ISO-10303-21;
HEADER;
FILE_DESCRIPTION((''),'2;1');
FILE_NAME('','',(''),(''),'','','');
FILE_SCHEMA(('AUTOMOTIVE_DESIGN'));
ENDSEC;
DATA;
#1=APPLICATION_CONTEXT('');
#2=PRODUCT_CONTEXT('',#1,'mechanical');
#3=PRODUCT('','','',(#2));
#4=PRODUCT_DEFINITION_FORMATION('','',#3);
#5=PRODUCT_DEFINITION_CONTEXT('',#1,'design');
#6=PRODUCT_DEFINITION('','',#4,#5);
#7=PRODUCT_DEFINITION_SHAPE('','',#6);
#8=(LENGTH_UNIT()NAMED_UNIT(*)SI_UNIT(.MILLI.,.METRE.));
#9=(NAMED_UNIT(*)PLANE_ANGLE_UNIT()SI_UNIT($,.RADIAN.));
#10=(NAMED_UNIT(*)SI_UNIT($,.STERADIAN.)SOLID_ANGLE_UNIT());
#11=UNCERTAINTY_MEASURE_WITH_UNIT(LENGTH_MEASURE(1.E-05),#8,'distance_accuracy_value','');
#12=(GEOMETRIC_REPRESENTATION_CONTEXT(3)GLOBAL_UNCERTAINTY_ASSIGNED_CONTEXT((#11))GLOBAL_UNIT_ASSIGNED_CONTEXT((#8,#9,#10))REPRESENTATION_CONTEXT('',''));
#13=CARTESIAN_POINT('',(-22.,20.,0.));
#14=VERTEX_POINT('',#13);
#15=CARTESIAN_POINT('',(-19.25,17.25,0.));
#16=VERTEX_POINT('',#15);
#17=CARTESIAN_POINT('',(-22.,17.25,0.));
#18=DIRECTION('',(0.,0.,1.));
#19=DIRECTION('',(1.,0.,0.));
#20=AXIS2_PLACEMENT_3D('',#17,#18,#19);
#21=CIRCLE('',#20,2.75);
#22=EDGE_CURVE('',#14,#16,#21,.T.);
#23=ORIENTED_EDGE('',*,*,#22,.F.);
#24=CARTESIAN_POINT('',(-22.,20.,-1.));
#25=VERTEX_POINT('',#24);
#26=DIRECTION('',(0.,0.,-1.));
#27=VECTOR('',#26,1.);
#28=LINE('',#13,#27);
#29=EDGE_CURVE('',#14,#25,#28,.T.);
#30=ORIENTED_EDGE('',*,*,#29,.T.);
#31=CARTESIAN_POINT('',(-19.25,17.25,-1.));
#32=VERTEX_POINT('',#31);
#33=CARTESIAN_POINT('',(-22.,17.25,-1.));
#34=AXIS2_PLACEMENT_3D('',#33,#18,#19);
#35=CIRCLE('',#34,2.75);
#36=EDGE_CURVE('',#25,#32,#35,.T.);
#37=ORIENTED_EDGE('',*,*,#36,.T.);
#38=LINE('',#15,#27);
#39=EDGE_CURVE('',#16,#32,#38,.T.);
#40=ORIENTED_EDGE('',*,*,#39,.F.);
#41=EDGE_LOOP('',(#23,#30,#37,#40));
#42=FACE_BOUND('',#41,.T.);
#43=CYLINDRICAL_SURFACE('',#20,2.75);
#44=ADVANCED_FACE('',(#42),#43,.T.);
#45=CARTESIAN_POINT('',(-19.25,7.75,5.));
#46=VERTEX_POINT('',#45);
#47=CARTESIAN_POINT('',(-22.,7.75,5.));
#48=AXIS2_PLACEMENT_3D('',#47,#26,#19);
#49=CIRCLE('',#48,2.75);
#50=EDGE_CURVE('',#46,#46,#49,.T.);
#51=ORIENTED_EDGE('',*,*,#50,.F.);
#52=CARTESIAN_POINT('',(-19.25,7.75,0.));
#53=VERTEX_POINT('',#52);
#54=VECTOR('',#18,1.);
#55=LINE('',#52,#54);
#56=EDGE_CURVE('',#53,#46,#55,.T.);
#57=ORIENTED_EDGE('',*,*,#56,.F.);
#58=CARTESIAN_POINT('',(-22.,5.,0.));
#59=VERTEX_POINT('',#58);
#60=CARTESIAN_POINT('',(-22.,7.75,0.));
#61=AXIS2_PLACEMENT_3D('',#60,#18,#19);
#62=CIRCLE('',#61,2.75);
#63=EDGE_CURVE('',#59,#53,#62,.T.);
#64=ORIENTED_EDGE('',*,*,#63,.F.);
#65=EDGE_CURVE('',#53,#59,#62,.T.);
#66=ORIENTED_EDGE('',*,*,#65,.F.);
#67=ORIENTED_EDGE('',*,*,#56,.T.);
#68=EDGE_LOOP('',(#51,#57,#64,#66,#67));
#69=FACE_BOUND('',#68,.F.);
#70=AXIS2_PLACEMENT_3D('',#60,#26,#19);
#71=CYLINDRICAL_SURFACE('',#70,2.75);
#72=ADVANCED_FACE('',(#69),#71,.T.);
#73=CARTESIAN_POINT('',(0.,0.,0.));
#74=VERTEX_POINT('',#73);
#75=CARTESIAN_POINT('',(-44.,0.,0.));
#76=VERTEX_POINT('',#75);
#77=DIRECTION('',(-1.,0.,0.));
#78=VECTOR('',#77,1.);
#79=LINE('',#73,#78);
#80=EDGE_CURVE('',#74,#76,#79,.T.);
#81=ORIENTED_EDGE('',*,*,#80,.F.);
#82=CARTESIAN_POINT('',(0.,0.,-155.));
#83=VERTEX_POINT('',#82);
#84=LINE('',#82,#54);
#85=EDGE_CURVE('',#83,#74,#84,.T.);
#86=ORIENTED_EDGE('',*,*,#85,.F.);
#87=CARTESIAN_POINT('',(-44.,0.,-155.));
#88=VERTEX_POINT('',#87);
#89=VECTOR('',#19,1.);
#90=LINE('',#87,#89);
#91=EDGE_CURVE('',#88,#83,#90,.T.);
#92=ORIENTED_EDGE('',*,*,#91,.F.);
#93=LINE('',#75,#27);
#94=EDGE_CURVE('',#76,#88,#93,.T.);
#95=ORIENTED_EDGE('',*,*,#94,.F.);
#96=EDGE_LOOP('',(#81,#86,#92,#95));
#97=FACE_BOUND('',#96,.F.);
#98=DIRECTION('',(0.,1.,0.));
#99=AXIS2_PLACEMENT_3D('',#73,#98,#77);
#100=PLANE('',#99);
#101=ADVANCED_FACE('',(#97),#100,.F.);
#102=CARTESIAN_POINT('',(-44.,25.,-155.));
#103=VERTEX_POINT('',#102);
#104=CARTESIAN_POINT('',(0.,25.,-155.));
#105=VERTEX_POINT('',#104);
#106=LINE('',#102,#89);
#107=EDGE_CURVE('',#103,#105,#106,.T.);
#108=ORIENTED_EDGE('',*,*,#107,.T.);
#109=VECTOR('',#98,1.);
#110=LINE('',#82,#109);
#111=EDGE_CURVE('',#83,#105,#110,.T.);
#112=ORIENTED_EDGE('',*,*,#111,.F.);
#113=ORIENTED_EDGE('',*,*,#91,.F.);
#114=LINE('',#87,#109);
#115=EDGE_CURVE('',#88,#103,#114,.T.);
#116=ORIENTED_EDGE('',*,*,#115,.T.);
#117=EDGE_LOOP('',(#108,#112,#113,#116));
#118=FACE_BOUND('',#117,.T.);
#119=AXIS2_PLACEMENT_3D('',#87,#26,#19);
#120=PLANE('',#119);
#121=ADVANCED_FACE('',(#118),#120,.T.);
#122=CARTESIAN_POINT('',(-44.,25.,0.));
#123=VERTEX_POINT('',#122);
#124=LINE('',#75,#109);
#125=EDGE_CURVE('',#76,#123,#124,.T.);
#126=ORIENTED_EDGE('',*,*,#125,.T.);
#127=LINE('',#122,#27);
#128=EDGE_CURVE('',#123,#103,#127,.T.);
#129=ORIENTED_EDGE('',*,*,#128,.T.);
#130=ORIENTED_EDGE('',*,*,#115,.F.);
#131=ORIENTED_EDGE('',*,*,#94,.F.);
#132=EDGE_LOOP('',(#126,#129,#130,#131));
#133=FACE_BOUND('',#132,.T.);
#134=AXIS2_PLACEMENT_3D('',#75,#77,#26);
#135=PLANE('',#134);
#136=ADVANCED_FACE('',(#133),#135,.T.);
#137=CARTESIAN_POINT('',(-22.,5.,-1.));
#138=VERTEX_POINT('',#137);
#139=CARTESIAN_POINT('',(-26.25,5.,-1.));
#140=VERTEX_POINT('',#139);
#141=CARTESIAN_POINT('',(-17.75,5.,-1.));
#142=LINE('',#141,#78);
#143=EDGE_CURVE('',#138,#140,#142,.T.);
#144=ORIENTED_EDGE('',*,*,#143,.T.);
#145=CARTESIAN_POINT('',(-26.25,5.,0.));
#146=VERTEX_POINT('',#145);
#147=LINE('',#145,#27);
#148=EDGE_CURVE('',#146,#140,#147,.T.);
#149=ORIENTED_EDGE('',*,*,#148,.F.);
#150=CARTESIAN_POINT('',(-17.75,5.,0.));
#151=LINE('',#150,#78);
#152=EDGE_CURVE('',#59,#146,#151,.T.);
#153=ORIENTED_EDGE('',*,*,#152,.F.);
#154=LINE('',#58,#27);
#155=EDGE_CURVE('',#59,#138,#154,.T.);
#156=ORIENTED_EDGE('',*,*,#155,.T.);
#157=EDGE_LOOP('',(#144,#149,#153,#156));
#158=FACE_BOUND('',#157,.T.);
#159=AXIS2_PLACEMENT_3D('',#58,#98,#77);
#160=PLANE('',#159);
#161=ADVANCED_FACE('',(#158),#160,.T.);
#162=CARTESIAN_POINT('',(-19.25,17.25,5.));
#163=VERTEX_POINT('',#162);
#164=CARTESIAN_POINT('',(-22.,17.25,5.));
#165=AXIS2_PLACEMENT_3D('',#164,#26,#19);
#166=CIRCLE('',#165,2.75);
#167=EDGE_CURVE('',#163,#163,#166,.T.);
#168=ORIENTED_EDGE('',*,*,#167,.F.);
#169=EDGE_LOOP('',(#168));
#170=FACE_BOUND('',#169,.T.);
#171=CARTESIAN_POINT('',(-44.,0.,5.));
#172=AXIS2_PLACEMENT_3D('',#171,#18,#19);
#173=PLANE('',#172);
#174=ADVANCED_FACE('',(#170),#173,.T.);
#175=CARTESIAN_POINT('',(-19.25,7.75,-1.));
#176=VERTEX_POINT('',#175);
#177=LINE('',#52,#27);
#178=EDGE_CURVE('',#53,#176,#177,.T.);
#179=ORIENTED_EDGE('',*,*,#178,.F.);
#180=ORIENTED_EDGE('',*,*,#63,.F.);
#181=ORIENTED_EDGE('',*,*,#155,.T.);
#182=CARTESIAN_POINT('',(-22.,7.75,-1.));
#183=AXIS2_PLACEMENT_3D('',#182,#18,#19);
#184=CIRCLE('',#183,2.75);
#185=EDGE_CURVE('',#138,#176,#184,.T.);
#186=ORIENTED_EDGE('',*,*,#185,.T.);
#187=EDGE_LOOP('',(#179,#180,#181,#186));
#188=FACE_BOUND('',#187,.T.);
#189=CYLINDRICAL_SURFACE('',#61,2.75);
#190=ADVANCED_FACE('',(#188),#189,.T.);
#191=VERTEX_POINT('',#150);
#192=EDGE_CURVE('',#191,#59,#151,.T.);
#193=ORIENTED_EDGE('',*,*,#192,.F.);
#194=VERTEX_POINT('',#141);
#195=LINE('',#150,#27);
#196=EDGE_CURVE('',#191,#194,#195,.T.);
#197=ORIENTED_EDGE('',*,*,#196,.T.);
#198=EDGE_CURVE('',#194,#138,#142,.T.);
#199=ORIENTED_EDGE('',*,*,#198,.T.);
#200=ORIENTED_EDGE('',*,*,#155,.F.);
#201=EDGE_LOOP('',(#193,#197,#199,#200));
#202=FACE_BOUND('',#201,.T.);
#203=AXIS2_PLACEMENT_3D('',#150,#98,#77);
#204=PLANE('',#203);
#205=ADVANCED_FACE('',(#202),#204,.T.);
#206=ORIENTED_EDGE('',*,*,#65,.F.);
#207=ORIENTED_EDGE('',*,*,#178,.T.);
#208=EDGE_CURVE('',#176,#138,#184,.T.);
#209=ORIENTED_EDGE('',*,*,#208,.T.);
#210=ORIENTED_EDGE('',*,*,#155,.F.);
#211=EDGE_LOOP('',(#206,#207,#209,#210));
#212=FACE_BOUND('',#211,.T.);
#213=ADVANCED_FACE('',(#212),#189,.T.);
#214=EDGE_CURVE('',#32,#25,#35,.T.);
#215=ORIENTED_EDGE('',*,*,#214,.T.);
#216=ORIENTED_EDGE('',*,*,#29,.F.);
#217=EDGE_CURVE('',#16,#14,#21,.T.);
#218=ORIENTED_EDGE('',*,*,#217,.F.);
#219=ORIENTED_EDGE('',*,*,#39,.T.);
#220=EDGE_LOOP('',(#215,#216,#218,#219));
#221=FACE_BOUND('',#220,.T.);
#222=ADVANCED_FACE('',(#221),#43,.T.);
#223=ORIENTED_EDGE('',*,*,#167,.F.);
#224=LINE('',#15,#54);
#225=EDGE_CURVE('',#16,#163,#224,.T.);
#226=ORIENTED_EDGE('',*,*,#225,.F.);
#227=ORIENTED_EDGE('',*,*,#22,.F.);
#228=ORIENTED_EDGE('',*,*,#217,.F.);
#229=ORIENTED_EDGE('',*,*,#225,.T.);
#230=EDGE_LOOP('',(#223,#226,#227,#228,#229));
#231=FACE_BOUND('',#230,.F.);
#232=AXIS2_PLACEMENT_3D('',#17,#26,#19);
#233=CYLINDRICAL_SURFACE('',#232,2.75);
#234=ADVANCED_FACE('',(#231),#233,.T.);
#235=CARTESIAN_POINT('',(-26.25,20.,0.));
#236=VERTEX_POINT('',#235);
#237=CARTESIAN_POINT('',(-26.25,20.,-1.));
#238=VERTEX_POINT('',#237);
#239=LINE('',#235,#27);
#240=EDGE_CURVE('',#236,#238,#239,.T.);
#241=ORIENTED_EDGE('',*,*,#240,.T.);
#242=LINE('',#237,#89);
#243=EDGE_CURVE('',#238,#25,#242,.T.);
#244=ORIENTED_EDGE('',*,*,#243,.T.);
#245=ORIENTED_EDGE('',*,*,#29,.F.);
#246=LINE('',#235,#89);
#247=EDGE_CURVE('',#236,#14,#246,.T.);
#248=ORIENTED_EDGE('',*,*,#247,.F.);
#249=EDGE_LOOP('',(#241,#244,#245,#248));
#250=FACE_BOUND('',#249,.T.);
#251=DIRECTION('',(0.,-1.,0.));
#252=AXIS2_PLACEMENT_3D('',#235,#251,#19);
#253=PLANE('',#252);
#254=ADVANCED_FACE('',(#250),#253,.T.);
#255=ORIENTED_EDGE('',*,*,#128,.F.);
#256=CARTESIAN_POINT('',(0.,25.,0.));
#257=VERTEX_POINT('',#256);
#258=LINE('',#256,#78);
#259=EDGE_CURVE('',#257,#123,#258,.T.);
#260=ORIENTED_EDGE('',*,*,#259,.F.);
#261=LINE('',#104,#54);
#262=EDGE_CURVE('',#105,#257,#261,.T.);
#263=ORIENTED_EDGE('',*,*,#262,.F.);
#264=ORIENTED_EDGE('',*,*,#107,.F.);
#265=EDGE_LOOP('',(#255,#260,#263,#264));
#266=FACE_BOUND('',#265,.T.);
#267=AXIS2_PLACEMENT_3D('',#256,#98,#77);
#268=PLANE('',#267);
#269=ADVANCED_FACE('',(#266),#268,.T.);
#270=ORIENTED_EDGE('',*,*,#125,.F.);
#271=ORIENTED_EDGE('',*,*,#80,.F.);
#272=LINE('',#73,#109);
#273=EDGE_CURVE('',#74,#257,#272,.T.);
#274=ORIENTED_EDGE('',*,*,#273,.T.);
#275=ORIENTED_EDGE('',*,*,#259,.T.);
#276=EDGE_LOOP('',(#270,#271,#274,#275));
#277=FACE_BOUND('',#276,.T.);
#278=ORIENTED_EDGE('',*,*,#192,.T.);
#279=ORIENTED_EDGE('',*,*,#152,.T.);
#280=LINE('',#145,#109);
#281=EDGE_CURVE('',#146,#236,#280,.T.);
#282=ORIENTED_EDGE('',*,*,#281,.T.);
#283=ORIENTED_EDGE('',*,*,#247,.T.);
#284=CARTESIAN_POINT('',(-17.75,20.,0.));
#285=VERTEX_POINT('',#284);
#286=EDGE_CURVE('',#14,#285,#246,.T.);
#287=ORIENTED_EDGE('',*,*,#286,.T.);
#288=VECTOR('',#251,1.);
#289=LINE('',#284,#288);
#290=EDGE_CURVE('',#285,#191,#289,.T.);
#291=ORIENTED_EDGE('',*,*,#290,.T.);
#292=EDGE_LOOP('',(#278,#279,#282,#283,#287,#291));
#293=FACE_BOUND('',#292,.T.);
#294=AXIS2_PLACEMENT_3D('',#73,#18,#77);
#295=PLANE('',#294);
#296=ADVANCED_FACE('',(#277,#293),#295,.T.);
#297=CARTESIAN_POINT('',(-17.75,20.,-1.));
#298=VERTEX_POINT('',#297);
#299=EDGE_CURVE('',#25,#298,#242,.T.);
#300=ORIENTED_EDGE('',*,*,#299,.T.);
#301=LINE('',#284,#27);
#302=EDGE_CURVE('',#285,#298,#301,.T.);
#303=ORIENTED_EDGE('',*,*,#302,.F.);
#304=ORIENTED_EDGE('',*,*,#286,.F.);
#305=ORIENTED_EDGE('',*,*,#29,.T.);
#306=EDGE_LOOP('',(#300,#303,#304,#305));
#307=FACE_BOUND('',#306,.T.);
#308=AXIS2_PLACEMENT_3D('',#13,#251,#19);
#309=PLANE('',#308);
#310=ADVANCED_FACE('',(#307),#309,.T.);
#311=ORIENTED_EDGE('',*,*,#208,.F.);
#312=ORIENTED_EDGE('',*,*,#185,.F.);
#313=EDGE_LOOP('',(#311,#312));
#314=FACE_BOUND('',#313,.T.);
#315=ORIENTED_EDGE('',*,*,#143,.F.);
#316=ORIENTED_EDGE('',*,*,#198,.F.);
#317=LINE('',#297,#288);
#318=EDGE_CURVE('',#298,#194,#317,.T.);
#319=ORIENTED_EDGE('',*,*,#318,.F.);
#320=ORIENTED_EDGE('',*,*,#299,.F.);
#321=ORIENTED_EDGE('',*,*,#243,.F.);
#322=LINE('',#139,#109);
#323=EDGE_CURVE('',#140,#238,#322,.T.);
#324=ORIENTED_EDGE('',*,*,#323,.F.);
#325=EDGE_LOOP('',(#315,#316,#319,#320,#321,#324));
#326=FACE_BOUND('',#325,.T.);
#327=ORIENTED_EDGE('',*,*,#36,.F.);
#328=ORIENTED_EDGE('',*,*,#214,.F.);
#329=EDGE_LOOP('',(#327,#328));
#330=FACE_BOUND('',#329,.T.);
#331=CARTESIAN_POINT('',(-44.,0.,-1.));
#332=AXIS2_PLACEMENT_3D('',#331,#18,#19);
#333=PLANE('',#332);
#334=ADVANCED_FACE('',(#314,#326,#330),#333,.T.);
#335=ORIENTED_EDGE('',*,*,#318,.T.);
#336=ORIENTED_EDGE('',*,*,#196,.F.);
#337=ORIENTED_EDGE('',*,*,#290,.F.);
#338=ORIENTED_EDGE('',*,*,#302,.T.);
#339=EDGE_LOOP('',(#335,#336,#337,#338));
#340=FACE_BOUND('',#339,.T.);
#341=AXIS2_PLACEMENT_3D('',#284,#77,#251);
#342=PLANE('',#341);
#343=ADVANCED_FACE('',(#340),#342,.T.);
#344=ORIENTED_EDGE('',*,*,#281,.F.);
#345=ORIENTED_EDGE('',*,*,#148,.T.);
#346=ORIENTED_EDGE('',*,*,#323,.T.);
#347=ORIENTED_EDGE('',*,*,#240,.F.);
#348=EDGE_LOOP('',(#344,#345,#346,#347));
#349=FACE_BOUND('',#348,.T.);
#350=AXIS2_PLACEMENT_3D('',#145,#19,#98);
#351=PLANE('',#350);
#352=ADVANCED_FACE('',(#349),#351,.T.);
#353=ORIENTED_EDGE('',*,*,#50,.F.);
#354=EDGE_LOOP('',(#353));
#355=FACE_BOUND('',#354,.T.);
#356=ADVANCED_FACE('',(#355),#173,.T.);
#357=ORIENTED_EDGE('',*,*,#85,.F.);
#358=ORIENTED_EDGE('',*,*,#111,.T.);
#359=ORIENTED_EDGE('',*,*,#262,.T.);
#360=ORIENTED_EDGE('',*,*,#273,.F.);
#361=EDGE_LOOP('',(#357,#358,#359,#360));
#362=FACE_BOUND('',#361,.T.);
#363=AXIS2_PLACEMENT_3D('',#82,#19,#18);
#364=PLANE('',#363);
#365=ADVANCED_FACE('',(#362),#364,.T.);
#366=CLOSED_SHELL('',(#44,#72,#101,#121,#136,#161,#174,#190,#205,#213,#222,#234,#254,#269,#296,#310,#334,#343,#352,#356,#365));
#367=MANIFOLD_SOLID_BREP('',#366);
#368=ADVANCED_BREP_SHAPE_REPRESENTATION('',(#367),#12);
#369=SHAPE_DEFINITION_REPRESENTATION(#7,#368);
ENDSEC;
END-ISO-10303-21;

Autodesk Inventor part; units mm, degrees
ref_plane "YZ Plane" through (0, 0, 0) normal (1, 0, 0) x (0, 1, 0)
ref_plane "XZ Plane" through (0, 0, 0) normal (0, 1, 0) x (-1, 0, 0)
ref_plane "XY Plane" through (0, 0, 0) normal (0, 0, 1) x (1, 0, 0)
sketch "Szkic1" plane through (0, 0, 0) normal (0, 1, 0) x (-1, 0, 0)
  line L0 (0, 0) -> (44, 0)
  line L1 (44, 0) -> (44, -155)
  line L2 (44, -155) -> (0, -155)
  line L3 (0, -155) -> (0, 0)
  dimension "d0" = 44
  dimension "d1" = 155
extrude "Wyciągnięcie proste1" add sketch "Szkic1" along normal blind 25
sketch "Szkic2" plane through (-44, 0, 0) normal (0, 0, 1) x (1, 0, 0)
  line L0 (0, 0) -> (44, 0) projected
  line L1 (44, 0) -> (44, 25) projected
  line L2 (0, 25) -> (44, 25) projected
  line L3 (0, 0) -> (0, 25) projected
  line L4 (17.75, 20) -> (26.25, 20)
  line L5 (26.25, 20) -> (26.25, 5)
  line L6 (26.25, 5) -> (17.75, 5)
  line L7 (17.75, 5) -> (17.75, 20)
  circle A0 centre (22, 17.25) radius 2.75
  circle A1 centre (22, 7.75) radius 2.75
  point P0 (26.25, 12.5)
  point P1 (44, 12.5)
  point P2 (22, 20)
  point P3 (22, 25)
  point P4 (22, 5)
  point P5 (22, 20)
  point P6 (22, 5)
  dimension "d4" = 8.5
  dimension "d5" = 15
  dimension "d6" = 5.5
  dimension "d7" = 5.5
extrude "Wyciągnięcie proste2" cut sketch "Szkic2" against normal blind 1 contours L4 L5 L6 L7
extrude "Wyciągnięcie proste3" add sketch "Szkic2" along normal blind 5 contours A1 | A0
properties part number "li_pol_3S_5000mAh"
